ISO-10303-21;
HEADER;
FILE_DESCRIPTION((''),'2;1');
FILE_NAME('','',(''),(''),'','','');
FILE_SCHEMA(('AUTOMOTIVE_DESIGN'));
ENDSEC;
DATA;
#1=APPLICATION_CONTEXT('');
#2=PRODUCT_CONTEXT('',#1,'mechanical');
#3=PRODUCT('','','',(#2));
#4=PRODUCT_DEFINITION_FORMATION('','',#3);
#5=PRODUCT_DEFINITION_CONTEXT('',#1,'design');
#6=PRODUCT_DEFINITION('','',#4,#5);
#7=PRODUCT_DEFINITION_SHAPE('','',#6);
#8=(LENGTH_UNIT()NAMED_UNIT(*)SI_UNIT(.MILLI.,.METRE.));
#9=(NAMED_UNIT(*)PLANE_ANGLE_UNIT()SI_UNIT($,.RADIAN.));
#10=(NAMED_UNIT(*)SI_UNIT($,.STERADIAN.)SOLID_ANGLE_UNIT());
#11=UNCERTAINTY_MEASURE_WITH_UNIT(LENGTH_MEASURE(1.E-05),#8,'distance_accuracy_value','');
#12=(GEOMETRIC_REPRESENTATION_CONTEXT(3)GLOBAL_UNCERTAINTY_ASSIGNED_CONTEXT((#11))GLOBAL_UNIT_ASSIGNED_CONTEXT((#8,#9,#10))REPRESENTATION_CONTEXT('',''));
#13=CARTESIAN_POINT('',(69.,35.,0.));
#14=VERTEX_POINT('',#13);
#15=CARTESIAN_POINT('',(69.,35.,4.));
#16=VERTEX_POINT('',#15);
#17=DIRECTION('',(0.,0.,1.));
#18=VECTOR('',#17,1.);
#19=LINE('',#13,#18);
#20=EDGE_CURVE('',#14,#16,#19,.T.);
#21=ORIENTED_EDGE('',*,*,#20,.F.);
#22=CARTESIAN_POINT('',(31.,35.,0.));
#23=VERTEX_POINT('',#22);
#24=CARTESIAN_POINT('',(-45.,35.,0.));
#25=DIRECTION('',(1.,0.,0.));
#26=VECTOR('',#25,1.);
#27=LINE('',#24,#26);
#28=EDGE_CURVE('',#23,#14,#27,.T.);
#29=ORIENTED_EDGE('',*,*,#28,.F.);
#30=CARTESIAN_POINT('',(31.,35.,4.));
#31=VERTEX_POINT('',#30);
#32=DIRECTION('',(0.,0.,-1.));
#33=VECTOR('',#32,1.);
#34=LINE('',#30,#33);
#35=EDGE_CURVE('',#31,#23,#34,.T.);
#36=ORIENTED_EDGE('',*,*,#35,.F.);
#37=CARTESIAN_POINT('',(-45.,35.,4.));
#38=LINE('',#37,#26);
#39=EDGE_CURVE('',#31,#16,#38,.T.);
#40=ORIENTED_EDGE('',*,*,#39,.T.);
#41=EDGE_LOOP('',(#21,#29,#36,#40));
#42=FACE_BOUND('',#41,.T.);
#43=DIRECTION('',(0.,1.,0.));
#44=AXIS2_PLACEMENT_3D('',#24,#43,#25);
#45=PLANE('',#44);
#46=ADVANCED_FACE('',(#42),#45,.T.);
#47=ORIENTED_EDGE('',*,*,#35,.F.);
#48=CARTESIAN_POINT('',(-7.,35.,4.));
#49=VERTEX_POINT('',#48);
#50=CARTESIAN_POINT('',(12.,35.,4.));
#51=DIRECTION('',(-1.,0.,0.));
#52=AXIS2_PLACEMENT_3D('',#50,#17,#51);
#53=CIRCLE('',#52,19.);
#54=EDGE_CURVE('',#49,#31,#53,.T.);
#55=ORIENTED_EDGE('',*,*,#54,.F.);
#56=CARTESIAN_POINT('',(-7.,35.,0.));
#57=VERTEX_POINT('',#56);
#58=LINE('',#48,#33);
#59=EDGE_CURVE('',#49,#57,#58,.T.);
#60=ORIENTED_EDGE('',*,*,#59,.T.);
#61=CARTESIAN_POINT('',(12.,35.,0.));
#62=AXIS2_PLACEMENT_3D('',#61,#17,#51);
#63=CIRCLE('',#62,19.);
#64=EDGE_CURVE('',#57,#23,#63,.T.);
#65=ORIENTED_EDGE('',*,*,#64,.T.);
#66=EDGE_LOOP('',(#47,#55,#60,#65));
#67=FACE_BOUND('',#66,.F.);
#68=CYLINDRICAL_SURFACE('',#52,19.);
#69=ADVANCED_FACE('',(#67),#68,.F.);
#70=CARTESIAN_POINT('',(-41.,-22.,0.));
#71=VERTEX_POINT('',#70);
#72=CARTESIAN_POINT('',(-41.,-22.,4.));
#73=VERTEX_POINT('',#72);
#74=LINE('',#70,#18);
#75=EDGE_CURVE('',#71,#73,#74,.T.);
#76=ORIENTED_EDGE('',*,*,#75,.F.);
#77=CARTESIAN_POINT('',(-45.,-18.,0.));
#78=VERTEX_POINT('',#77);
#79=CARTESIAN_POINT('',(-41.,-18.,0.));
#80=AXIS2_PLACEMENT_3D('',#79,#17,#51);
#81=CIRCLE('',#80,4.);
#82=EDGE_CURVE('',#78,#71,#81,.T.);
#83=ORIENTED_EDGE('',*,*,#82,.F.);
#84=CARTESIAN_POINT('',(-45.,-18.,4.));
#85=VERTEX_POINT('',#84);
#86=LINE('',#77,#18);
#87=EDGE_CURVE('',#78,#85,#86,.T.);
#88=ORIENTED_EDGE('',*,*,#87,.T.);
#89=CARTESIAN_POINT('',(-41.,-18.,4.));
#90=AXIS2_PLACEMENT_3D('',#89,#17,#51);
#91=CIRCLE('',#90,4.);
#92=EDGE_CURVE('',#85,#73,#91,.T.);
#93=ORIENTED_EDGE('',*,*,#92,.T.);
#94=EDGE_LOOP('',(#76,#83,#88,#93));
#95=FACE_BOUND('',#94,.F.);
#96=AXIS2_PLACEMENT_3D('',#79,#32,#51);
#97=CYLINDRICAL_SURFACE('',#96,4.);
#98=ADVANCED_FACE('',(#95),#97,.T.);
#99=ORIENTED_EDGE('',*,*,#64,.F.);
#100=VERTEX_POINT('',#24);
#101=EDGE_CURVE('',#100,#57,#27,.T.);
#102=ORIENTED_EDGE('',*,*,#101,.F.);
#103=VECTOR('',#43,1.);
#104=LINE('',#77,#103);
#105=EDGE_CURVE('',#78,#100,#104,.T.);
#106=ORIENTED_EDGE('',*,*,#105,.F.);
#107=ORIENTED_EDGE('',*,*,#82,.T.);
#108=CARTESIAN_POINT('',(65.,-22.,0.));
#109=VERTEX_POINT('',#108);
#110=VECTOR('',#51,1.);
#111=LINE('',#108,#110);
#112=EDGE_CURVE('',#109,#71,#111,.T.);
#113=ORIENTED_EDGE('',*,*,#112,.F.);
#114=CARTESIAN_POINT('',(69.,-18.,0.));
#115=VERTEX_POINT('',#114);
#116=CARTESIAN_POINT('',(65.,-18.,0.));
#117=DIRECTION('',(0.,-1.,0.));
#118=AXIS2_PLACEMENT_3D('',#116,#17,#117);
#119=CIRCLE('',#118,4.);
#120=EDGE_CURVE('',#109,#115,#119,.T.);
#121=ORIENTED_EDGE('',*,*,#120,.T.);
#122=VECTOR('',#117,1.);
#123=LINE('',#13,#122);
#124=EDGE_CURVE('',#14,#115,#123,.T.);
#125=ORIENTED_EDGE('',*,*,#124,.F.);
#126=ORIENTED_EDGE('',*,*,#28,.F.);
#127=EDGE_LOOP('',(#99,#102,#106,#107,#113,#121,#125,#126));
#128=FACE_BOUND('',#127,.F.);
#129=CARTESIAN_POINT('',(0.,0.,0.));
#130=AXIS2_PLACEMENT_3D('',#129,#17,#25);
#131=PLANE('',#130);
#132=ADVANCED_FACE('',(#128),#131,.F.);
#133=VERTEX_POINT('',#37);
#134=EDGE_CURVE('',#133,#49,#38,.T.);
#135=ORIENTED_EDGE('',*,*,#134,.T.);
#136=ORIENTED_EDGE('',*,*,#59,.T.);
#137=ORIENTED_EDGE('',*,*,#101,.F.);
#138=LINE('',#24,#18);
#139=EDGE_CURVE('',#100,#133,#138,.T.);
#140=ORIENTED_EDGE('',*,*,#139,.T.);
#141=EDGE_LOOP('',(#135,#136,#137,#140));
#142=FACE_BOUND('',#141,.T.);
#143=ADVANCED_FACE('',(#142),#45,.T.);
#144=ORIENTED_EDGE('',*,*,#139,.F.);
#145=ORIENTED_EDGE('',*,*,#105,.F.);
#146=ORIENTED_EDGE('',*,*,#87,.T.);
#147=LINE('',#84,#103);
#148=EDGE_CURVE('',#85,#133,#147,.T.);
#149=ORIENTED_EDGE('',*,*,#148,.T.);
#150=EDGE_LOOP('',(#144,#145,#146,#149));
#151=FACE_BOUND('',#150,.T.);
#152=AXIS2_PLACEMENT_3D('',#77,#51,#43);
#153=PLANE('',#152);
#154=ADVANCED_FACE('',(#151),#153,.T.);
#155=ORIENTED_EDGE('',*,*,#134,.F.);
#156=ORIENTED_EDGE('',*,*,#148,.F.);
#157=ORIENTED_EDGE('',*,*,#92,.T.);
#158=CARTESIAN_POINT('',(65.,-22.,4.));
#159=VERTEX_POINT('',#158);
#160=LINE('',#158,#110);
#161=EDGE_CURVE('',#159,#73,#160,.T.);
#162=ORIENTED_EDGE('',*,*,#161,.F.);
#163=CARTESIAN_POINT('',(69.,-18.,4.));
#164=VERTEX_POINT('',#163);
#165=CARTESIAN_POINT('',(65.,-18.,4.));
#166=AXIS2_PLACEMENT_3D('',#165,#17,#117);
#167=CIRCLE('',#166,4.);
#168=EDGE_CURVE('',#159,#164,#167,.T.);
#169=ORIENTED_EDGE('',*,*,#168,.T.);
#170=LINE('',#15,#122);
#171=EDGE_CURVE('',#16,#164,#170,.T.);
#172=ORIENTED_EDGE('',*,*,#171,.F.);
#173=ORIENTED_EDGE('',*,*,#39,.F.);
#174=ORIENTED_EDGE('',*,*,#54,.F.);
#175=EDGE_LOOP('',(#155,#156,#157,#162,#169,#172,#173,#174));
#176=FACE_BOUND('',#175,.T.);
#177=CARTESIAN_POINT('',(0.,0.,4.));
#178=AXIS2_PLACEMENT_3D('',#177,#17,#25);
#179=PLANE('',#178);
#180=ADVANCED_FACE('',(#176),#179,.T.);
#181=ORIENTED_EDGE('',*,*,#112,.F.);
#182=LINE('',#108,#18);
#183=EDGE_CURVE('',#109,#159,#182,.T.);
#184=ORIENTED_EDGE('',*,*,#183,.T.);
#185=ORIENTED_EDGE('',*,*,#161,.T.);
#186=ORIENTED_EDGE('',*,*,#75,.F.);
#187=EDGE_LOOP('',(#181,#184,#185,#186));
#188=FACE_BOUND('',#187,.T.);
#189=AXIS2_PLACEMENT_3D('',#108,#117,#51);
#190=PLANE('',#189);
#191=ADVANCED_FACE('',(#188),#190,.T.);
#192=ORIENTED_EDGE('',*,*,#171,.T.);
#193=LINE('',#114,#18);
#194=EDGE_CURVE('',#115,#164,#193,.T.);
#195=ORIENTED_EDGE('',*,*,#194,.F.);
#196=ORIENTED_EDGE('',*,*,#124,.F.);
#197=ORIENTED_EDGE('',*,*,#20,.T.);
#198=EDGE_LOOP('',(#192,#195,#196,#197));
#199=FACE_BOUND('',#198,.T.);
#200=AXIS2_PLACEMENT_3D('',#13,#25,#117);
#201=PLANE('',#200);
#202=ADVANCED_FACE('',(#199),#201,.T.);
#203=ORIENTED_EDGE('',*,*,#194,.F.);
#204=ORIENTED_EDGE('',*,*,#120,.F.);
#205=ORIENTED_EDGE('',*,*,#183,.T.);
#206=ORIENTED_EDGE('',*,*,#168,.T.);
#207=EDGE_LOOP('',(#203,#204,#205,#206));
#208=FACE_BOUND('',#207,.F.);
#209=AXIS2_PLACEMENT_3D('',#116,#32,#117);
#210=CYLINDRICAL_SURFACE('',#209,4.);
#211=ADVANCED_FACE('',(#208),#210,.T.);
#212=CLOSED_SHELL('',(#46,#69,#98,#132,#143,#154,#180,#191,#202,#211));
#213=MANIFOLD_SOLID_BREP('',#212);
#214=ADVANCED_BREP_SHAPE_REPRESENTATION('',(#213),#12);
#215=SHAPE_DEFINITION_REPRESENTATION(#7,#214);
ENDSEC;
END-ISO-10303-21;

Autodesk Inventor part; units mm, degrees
ref_plane "YZ Plane" through (0, 0, 0) normal (1, 0, 0) x (0, 1, 0)
ref_plane "XZ Plane" through (0, 0, 0) normal (0, 1, 0) x (-1, 0, 0)
ref_plane "XY Plane" through (0, 0, 0) normal (0, 0, 1) x (1, 0, 0)
sketch "Sketch1" plane through (0, 0, 0) normal (0, 0, 1) x (1, 0, 0)
  line L0 (-45, 35) -> (69, 35)
  line L1 (69, 35) -> (69, -18)
  line L2 (65, -22) -> (-41, -22)
  line L3 (-45, -18) -> (-45, 35)
  arc A0 (-45, -18) -> (-41, -22) centre (-41, -18) ccw
  arc A1 (65, -22) -> (69, -18) centre (65, -18) ccw
  point P0 (0, 0)
  dimension "d0" = 114
  dimension "d1" = 4
  dimension "d2" = 4
  dimension "d3" = 57
extrude "Plate1" add sketch "Sketch1" along normal blind 4
sketch "Sketch2" plane through (0, 0, 4) normal (0, 0, 1) x (1, 0, 0)
  line L0 (69, 35) -> (-45, 35) projected
  arc A0 (-7, 35) -> (31, 35) centre (12, 35) ccw
  point P0 (0, 0)
  dimension "d5" = 38
extrude "Extrusion1" cut sketch "Sketch2" against normal through all
equation "\"d4\" = Thickness"
equation "\"BendRadius\" = Thickness"
equation "\"BendReliefWidth\" = Thickness"
equation "\"BendReliefDepth\" = 0.5 * Thickness"
equation "\"CornerReliefSize\" = 4 * Thickness"
equation "\"MinimumRemnant\" = 2 * Thickness"
equation "\"TransitionRadius\" = BendRadius"
equation "\"JacobiRadiusSize\" = BendRadius"
equation "\"GapSize\" = Thickness"
equation "\"Thickness\" = 4"
properties part number "Bottom joint housing cover_ final"
